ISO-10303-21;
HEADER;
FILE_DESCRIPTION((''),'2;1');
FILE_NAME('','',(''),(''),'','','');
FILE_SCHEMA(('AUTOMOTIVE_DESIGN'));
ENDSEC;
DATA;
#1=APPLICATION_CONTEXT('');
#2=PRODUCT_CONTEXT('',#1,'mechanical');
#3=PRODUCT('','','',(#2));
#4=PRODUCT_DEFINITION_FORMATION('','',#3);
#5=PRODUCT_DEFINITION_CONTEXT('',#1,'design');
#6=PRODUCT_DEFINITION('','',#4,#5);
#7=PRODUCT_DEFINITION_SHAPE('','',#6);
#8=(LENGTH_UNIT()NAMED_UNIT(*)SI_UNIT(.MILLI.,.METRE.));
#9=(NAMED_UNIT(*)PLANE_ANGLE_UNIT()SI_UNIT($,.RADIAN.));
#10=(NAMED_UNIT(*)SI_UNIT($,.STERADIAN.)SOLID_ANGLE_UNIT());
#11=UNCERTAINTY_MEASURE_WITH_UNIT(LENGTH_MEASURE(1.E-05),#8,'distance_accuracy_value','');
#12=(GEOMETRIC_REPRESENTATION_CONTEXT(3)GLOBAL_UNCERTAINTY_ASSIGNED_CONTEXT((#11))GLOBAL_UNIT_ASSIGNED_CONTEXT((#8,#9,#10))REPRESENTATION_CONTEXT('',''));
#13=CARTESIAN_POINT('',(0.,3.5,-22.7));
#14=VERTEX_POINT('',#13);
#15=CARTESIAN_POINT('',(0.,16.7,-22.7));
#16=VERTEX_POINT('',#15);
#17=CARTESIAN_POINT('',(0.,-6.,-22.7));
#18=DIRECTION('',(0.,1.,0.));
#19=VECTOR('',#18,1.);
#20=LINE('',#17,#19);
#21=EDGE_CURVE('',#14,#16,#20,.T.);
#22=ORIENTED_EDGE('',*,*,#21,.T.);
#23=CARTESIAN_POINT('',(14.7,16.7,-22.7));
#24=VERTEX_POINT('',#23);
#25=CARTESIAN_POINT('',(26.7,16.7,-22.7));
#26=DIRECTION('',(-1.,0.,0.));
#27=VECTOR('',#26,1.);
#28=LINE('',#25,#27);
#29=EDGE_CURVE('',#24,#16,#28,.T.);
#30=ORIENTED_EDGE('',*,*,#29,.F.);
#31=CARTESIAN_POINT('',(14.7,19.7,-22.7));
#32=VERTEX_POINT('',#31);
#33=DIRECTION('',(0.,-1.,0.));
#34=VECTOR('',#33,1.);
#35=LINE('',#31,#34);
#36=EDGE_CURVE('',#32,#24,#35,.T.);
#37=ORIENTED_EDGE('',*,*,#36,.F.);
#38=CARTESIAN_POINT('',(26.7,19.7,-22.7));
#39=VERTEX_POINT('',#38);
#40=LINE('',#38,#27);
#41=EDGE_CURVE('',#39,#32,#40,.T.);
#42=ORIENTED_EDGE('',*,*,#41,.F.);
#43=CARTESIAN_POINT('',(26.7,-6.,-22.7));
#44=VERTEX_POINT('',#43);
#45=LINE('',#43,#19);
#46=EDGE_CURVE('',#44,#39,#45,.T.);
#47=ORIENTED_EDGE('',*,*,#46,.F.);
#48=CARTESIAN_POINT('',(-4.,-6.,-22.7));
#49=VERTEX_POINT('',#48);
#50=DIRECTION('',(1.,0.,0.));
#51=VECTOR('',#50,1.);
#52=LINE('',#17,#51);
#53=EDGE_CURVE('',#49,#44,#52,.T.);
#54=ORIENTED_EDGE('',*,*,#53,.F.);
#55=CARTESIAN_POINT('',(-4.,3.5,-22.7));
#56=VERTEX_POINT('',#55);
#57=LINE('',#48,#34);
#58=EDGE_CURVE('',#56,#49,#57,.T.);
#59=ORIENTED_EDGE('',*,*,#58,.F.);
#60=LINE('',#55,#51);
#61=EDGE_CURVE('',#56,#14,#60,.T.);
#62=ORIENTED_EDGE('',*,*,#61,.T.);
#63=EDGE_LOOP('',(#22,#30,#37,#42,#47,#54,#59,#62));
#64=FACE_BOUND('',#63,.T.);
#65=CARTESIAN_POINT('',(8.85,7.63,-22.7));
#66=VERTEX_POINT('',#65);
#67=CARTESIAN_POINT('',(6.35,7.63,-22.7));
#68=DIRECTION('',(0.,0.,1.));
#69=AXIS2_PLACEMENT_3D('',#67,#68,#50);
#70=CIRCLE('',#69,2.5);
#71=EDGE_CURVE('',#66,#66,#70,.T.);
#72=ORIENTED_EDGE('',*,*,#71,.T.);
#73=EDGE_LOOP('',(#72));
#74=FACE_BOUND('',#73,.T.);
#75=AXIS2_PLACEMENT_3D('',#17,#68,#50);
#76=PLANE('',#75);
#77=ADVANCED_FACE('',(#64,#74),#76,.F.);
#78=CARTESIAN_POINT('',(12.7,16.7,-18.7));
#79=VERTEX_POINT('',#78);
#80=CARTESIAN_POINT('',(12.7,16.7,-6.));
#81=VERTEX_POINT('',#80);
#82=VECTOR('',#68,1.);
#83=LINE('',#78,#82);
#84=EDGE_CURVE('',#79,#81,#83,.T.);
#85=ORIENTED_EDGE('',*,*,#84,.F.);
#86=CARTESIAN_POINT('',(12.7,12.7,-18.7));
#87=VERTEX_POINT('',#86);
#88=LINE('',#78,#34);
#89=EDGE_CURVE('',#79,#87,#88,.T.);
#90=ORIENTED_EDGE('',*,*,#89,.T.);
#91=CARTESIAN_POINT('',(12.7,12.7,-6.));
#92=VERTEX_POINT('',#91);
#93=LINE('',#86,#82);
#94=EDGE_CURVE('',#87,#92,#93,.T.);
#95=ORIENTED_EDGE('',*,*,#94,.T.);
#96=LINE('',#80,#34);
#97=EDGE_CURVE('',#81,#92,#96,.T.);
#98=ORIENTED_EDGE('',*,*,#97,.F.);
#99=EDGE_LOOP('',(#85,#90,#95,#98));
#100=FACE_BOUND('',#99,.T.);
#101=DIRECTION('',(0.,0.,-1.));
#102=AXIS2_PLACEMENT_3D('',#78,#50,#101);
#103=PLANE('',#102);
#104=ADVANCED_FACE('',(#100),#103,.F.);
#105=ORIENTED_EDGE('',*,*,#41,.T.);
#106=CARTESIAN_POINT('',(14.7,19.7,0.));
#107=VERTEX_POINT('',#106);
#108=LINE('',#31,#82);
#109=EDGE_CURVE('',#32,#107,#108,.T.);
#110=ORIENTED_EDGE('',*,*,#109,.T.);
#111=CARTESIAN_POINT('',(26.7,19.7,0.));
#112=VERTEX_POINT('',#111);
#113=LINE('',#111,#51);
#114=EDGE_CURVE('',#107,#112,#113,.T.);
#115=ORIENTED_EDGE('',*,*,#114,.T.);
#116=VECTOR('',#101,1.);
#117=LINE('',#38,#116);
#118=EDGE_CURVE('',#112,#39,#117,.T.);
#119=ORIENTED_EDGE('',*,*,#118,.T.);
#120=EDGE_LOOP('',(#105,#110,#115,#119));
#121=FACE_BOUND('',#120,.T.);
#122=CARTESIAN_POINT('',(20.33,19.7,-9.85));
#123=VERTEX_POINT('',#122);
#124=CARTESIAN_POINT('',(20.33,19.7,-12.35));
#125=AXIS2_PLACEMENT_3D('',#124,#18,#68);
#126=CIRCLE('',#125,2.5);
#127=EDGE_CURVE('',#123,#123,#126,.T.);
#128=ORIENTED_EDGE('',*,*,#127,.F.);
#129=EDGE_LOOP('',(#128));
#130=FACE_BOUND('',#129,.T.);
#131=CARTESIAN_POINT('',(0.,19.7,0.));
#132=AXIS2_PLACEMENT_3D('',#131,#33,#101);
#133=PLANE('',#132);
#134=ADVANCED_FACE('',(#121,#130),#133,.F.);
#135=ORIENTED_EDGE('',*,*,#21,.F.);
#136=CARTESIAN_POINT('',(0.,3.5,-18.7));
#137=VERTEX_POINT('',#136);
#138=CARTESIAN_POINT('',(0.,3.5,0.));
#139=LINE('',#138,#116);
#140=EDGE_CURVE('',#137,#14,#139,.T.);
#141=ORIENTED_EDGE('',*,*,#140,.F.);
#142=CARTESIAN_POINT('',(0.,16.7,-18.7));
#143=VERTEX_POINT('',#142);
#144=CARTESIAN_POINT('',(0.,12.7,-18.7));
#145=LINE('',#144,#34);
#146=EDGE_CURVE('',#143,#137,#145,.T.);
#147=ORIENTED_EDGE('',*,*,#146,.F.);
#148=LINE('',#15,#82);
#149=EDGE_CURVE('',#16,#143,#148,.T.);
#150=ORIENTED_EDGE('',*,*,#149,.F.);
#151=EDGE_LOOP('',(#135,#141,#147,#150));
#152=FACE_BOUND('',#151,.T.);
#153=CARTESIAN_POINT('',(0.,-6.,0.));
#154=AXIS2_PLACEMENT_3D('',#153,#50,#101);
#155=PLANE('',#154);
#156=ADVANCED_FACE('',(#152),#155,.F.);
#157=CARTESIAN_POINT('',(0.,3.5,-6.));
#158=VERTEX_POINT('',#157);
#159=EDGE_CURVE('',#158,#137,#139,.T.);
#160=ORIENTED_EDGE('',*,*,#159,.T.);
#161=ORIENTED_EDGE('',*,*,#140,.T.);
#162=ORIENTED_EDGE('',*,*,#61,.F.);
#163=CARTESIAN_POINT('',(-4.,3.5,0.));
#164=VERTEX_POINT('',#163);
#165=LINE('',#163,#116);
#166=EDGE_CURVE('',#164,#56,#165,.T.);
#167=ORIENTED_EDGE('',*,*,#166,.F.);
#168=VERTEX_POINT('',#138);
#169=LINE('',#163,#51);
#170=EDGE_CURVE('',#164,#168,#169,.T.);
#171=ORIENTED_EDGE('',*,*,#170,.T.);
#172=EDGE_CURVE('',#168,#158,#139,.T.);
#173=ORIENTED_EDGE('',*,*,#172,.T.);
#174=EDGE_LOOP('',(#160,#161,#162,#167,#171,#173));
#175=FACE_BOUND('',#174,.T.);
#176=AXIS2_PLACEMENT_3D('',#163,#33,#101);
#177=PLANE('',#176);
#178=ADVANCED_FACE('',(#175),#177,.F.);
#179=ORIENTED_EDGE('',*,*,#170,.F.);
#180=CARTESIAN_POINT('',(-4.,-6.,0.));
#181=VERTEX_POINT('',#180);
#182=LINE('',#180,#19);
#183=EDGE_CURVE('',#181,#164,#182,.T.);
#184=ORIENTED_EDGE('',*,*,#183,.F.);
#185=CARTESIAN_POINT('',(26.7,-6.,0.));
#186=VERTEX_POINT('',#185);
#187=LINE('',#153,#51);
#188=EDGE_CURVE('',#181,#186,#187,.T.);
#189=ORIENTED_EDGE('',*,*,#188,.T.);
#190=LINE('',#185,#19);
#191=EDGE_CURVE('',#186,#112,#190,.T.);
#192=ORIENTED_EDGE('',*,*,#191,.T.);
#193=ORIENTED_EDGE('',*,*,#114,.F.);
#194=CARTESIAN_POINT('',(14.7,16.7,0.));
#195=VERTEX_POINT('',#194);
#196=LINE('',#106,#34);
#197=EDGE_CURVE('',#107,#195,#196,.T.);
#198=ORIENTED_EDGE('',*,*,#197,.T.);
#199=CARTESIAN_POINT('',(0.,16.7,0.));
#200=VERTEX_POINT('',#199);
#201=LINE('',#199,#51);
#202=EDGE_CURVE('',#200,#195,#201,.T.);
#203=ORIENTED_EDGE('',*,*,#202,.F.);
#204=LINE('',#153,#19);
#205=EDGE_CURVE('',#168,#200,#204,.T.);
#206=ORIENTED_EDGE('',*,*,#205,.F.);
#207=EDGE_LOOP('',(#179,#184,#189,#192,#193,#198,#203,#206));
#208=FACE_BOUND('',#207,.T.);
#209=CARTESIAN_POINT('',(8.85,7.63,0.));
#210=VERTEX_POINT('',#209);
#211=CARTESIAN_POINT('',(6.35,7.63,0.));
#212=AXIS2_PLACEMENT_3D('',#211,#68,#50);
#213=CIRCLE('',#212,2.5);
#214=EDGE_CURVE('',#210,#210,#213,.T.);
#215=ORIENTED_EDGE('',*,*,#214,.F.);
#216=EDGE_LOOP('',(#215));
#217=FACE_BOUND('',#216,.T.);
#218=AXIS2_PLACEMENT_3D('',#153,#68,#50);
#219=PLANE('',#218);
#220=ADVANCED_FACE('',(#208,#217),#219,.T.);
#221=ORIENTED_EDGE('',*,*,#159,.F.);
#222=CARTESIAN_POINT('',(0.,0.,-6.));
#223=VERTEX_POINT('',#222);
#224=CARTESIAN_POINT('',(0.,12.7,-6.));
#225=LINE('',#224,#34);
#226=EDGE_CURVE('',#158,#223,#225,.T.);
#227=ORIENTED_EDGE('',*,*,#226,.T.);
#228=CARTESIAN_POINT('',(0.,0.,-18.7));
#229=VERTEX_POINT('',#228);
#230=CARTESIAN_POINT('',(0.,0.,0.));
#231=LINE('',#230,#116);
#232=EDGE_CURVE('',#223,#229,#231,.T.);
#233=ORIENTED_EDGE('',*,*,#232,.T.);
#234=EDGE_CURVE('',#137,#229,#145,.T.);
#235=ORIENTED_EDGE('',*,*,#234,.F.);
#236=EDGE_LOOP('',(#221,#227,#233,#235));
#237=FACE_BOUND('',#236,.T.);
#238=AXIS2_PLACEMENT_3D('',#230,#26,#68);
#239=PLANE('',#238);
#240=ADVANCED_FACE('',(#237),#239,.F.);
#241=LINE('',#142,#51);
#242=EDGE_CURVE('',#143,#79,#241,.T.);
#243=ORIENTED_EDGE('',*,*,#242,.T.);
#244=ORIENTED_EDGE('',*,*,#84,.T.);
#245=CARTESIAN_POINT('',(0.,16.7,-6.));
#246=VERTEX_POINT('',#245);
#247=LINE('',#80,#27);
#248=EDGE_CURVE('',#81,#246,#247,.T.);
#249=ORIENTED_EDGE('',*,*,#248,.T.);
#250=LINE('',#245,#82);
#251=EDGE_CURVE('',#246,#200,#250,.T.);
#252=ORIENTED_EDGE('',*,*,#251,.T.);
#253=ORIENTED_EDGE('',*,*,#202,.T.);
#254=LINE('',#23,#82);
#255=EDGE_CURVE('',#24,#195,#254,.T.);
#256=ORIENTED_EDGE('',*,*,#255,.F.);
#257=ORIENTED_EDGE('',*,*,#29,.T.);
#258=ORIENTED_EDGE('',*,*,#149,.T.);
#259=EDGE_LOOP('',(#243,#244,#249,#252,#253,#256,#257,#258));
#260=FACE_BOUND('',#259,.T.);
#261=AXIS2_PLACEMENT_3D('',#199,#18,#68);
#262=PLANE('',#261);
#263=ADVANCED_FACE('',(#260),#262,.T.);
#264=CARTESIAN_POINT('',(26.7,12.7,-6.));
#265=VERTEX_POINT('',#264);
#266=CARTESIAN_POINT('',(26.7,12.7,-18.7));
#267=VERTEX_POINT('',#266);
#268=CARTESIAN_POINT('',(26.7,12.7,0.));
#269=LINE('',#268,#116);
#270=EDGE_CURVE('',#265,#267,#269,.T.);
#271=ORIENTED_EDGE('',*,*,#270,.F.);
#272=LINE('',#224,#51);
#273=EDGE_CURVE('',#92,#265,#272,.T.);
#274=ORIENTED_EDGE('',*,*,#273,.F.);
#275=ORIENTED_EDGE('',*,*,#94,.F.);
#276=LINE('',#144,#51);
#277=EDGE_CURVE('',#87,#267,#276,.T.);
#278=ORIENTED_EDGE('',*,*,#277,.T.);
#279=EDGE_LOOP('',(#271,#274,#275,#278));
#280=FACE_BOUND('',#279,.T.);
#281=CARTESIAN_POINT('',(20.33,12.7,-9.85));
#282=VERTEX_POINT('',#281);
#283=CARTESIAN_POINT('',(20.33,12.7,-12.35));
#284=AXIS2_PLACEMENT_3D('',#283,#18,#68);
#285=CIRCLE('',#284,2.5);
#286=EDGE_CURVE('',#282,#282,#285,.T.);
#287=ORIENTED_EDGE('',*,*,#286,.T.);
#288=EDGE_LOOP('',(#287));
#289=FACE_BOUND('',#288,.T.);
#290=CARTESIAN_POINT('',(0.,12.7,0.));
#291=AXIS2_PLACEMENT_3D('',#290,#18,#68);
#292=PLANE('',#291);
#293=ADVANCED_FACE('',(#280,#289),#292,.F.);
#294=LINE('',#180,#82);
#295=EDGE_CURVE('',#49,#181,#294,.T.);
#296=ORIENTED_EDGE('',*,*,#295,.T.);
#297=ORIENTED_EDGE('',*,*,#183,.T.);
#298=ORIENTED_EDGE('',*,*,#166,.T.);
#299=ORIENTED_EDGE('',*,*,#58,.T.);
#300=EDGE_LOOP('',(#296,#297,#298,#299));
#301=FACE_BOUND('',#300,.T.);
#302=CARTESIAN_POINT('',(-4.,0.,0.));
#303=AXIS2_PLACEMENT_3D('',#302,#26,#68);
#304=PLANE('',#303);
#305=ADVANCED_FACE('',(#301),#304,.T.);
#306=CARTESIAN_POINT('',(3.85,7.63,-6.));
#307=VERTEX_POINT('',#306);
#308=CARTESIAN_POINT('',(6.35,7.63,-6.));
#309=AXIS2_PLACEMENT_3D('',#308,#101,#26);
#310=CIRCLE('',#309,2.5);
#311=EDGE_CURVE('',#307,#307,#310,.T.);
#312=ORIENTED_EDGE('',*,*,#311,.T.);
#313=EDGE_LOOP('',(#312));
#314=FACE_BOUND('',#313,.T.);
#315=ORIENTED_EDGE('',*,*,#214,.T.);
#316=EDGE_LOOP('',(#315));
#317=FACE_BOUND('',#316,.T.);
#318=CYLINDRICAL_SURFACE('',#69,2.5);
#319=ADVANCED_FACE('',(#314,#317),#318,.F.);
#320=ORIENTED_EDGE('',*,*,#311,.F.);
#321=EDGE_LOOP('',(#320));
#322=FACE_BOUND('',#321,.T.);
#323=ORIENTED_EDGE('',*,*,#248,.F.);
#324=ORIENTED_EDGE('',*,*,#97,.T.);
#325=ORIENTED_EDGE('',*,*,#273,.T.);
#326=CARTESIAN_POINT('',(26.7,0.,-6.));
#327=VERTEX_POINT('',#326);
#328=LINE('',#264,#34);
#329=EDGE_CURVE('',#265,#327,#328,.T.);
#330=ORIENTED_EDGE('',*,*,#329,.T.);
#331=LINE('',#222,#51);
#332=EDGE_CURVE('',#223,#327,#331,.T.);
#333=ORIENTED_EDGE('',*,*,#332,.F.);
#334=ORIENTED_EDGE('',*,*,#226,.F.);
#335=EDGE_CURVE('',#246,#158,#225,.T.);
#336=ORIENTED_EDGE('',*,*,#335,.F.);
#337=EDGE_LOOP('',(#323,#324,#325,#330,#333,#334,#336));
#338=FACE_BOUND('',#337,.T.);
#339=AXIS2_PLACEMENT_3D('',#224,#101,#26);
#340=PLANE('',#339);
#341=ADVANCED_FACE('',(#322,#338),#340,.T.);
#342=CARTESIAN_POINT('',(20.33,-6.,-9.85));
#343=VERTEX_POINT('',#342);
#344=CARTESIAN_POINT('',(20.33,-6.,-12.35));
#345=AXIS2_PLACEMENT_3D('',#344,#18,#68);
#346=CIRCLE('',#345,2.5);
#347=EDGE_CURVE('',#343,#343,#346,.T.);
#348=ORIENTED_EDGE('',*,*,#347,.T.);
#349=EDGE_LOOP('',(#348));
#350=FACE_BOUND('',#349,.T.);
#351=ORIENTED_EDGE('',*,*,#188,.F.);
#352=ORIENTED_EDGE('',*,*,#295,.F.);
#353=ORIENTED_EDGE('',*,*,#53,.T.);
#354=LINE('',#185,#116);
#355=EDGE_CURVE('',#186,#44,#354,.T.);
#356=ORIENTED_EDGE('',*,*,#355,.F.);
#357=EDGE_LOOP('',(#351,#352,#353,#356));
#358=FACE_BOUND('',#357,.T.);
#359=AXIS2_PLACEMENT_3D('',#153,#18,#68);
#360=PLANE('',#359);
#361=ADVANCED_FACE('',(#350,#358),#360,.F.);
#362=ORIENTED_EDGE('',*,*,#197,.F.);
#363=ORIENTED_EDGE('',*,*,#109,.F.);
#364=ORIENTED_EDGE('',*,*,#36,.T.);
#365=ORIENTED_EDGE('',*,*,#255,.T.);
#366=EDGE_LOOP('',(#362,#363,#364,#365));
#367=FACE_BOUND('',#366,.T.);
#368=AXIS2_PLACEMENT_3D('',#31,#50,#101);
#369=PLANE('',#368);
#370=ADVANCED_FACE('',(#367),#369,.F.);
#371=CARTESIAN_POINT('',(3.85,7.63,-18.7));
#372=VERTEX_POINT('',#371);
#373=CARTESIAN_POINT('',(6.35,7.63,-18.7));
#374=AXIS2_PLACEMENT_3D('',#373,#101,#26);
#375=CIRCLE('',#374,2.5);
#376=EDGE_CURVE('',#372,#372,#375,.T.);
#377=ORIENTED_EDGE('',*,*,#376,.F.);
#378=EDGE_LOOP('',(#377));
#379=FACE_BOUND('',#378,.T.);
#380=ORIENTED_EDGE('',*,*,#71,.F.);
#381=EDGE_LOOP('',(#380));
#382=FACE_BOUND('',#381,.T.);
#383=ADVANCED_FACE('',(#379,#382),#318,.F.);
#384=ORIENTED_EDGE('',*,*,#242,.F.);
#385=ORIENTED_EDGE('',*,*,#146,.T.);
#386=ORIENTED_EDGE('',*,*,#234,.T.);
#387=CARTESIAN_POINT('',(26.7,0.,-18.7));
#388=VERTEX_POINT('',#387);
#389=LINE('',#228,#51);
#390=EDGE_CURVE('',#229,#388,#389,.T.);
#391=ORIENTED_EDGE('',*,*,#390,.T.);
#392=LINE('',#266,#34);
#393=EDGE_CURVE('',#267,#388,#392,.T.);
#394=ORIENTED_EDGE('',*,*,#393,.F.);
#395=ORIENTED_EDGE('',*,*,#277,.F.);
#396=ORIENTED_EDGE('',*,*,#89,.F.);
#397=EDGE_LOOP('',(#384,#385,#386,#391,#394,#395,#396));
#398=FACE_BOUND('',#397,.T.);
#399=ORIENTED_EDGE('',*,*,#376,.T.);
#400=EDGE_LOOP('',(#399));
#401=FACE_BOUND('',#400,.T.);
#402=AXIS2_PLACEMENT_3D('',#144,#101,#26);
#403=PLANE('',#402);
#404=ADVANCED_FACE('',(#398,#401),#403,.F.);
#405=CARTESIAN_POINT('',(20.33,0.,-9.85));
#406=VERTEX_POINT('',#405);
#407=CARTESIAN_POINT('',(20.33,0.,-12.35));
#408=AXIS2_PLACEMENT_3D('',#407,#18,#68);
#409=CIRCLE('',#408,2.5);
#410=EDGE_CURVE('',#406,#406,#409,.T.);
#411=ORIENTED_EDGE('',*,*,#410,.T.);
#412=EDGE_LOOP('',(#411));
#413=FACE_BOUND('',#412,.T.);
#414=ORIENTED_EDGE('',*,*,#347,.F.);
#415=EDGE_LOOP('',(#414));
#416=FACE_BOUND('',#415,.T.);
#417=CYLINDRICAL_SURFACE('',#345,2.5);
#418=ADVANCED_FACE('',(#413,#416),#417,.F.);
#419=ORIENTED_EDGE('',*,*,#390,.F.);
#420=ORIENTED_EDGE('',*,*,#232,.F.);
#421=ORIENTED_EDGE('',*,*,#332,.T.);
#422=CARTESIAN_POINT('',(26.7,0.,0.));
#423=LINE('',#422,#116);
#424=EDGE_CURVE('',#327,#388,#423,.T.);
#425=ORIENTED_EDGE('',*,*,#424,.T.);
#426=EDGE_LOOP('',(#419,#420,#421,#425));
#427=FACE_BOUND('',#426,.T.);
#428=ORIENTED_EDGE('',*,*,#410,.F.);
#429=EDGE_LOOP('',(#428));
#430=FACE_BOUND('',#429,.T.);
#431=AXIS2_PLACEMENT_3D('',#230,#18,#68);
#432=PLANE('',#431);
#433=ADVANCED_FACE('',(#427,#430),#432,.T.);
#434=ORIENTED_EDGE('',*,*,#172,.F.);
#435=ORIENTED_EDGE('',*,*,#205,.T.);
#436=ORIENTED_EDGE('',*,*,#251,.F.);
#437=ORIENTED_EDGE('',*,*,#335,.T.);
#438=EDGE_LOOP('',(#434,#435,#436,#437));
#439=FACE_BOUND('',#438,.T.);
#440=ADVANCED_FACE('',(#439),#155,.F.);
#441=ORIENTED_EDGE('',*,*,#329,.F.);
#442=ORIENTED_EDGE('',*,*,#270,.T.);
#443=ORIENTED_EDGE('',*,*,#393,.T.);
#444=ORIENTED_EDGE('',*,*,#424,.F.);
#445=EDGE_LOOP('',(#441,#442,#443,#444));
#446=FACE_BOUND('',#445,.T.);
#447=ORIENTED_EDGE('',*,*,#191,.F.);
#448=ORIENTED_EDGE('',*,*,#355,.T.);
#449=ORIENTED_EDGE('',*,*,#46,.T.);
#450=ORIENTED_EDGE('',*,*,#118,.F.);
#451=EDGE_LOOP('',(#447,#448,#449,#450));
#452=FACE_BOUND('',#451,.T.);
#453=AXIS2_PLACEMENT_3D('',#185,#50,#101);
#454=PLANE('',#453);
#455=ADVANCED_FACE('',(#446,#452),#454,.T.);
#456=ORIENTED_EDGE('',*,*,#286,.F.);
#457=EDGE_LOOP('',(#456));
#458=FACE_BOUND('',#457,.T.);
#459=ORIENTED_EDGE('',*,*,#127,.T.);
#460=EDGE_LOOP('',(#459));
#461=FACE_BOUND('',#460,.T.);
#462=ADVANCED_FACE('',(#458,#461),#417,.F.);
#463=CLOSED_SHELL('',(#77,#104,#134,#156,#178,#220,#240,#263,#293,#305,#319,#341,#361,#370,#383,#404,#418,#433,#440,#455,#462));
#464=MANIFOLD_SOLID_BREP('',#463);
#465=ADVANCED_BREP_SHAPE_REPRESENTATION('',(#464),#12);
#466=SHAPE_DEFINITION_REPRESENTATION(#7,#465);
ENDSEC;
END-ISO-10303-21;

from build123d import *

# Parameters (mm, degrees)
SKETCH_1_W          = 26.7
SKETCH_1_H          = 22.7
EXTRUDE_1_DEPTH     = 6
SKETCH_1_3_W        = 26.7
SKETCH_1_3_H        = 4
SKETCH_1_3_H_2      = 6
EXTRUDE_2_DEPTH     = 12.7
SKETCH_2_R          = 2.5
CUT_EXTRUDE_1_DEPTH = 38.275595233
EXTRUDE_3_DEPTH     = 4
SKETCH_4_R          = 2.5
CUT_EXTRUDE_2_DEPTH = 42.754879954
SKETCH_6_W          = 22.7
SKETCH_6_H          = 9.5
EXTRUDE_4_DEPTH     = 4
EXTRUDE_START       = 3
SKETCH_7_W          = 12
SKETCH_7_H          = 22.7
SKETCH_7_R          = 2.5
EXTRUDE_5_DEPTH     = 3


with BuildPart() as part:
    # 草图1 → 凸台-拉伸1 (new body)
    with BuildSketch(Plane(origin=(0, 0, 0), x_dir=(1, 0, 0), z_dir=(0, 1, 0))):
        with Locations((13.35, 11.35)):
            Rectangle(SKETCH_1_W, SKETCH_1_H)
    extrude(amount=-EXTRUDE_1_DEPTH)

    # 草图1<3> → 凸台-拉伸2 (add)
    with BuildSketch(Plane(origin=(0, 0, 0), x_dir=(1, 0, 0), z_dir=(0, 1, 0))):
        with Locations((13.35, 20.7)):
            Rectangle(SKETCH_1_3_W, SKETCH_1_3_H)
        with Locations((13.35, 3)):
            Rectangle(SKETCH_1_3_W, SKETCH_1_3_H_2)
    extrude(amount=EXTRUDE_2_DEPTH)

    # 草图2 → 切除-拉伸1 (cut, through all)
    with BuildSketch(Plane.XY):
        with Locations((6.35, 7.63)):
            Circle(SKETCH_2_R)
    extrude(amount=-CUT_EXTRUDE_1_DEPTH, mode=Mode.SUBTRACT)

    # 草图3 → 凸台-拉伸3 (add)
    with BuildSketch(Plane(origin=(0, 12.7, 0), x_dir=(1, 0, 0), z_dir=(0, 1, 0))):
        Polygon((0, 22.7), (0, 18.7), (12.7, 18.7), (12.7, 6), (0, 6), (0, 0), (26.7, 0), (26.7, 22.7), align=None)
    extrude(amount=EXTRUDE_3_DEPTH)

    # 草图4 → 切除-拉伸2 (cut, through all)
    with BuildSketch(Plane(origin=(0, 16.7, 0), x_dir=(1, 0, 0), z_dir=(0, 1, 0))):
        with Locations((20.33, 12.35)):
            Circle(SKETCH_4_R)
    extrude(amount=-CUT_EXTRUDE_2_DEPTH, mode=Mode.SUBTRACT)

    # 草图6 → 凸台-拉伸4 (add)
    with BuildSketch(Plane.ZY):
        with Locations((-11.35, -1.25)):
            Rectangle(SKETCH_6_W, SKETCH_6_H)
    extrude(amount=EXTRUDE_4_DEPTH)

    # 草图7 → 凸台-拉伸5 (add)
    with BuildSketch(Plane(origin=(0, 16.7, 0), x_dir=(1, 0, 0), z_dir=(0, 1, 0)).offset(EXTRUDE_START)):
        with Locations((20.7, 11.35)):
            Rectangle(SKETCH_7_W, SKETCH_7_H)
        with Locations((20.33, 12.35)):
            Circle(SKETCH_7_R, mode=Mode.SUBTRACT)
    extrude(amount=-EXTRUDE_5_DEPTH)


solid = part.part
